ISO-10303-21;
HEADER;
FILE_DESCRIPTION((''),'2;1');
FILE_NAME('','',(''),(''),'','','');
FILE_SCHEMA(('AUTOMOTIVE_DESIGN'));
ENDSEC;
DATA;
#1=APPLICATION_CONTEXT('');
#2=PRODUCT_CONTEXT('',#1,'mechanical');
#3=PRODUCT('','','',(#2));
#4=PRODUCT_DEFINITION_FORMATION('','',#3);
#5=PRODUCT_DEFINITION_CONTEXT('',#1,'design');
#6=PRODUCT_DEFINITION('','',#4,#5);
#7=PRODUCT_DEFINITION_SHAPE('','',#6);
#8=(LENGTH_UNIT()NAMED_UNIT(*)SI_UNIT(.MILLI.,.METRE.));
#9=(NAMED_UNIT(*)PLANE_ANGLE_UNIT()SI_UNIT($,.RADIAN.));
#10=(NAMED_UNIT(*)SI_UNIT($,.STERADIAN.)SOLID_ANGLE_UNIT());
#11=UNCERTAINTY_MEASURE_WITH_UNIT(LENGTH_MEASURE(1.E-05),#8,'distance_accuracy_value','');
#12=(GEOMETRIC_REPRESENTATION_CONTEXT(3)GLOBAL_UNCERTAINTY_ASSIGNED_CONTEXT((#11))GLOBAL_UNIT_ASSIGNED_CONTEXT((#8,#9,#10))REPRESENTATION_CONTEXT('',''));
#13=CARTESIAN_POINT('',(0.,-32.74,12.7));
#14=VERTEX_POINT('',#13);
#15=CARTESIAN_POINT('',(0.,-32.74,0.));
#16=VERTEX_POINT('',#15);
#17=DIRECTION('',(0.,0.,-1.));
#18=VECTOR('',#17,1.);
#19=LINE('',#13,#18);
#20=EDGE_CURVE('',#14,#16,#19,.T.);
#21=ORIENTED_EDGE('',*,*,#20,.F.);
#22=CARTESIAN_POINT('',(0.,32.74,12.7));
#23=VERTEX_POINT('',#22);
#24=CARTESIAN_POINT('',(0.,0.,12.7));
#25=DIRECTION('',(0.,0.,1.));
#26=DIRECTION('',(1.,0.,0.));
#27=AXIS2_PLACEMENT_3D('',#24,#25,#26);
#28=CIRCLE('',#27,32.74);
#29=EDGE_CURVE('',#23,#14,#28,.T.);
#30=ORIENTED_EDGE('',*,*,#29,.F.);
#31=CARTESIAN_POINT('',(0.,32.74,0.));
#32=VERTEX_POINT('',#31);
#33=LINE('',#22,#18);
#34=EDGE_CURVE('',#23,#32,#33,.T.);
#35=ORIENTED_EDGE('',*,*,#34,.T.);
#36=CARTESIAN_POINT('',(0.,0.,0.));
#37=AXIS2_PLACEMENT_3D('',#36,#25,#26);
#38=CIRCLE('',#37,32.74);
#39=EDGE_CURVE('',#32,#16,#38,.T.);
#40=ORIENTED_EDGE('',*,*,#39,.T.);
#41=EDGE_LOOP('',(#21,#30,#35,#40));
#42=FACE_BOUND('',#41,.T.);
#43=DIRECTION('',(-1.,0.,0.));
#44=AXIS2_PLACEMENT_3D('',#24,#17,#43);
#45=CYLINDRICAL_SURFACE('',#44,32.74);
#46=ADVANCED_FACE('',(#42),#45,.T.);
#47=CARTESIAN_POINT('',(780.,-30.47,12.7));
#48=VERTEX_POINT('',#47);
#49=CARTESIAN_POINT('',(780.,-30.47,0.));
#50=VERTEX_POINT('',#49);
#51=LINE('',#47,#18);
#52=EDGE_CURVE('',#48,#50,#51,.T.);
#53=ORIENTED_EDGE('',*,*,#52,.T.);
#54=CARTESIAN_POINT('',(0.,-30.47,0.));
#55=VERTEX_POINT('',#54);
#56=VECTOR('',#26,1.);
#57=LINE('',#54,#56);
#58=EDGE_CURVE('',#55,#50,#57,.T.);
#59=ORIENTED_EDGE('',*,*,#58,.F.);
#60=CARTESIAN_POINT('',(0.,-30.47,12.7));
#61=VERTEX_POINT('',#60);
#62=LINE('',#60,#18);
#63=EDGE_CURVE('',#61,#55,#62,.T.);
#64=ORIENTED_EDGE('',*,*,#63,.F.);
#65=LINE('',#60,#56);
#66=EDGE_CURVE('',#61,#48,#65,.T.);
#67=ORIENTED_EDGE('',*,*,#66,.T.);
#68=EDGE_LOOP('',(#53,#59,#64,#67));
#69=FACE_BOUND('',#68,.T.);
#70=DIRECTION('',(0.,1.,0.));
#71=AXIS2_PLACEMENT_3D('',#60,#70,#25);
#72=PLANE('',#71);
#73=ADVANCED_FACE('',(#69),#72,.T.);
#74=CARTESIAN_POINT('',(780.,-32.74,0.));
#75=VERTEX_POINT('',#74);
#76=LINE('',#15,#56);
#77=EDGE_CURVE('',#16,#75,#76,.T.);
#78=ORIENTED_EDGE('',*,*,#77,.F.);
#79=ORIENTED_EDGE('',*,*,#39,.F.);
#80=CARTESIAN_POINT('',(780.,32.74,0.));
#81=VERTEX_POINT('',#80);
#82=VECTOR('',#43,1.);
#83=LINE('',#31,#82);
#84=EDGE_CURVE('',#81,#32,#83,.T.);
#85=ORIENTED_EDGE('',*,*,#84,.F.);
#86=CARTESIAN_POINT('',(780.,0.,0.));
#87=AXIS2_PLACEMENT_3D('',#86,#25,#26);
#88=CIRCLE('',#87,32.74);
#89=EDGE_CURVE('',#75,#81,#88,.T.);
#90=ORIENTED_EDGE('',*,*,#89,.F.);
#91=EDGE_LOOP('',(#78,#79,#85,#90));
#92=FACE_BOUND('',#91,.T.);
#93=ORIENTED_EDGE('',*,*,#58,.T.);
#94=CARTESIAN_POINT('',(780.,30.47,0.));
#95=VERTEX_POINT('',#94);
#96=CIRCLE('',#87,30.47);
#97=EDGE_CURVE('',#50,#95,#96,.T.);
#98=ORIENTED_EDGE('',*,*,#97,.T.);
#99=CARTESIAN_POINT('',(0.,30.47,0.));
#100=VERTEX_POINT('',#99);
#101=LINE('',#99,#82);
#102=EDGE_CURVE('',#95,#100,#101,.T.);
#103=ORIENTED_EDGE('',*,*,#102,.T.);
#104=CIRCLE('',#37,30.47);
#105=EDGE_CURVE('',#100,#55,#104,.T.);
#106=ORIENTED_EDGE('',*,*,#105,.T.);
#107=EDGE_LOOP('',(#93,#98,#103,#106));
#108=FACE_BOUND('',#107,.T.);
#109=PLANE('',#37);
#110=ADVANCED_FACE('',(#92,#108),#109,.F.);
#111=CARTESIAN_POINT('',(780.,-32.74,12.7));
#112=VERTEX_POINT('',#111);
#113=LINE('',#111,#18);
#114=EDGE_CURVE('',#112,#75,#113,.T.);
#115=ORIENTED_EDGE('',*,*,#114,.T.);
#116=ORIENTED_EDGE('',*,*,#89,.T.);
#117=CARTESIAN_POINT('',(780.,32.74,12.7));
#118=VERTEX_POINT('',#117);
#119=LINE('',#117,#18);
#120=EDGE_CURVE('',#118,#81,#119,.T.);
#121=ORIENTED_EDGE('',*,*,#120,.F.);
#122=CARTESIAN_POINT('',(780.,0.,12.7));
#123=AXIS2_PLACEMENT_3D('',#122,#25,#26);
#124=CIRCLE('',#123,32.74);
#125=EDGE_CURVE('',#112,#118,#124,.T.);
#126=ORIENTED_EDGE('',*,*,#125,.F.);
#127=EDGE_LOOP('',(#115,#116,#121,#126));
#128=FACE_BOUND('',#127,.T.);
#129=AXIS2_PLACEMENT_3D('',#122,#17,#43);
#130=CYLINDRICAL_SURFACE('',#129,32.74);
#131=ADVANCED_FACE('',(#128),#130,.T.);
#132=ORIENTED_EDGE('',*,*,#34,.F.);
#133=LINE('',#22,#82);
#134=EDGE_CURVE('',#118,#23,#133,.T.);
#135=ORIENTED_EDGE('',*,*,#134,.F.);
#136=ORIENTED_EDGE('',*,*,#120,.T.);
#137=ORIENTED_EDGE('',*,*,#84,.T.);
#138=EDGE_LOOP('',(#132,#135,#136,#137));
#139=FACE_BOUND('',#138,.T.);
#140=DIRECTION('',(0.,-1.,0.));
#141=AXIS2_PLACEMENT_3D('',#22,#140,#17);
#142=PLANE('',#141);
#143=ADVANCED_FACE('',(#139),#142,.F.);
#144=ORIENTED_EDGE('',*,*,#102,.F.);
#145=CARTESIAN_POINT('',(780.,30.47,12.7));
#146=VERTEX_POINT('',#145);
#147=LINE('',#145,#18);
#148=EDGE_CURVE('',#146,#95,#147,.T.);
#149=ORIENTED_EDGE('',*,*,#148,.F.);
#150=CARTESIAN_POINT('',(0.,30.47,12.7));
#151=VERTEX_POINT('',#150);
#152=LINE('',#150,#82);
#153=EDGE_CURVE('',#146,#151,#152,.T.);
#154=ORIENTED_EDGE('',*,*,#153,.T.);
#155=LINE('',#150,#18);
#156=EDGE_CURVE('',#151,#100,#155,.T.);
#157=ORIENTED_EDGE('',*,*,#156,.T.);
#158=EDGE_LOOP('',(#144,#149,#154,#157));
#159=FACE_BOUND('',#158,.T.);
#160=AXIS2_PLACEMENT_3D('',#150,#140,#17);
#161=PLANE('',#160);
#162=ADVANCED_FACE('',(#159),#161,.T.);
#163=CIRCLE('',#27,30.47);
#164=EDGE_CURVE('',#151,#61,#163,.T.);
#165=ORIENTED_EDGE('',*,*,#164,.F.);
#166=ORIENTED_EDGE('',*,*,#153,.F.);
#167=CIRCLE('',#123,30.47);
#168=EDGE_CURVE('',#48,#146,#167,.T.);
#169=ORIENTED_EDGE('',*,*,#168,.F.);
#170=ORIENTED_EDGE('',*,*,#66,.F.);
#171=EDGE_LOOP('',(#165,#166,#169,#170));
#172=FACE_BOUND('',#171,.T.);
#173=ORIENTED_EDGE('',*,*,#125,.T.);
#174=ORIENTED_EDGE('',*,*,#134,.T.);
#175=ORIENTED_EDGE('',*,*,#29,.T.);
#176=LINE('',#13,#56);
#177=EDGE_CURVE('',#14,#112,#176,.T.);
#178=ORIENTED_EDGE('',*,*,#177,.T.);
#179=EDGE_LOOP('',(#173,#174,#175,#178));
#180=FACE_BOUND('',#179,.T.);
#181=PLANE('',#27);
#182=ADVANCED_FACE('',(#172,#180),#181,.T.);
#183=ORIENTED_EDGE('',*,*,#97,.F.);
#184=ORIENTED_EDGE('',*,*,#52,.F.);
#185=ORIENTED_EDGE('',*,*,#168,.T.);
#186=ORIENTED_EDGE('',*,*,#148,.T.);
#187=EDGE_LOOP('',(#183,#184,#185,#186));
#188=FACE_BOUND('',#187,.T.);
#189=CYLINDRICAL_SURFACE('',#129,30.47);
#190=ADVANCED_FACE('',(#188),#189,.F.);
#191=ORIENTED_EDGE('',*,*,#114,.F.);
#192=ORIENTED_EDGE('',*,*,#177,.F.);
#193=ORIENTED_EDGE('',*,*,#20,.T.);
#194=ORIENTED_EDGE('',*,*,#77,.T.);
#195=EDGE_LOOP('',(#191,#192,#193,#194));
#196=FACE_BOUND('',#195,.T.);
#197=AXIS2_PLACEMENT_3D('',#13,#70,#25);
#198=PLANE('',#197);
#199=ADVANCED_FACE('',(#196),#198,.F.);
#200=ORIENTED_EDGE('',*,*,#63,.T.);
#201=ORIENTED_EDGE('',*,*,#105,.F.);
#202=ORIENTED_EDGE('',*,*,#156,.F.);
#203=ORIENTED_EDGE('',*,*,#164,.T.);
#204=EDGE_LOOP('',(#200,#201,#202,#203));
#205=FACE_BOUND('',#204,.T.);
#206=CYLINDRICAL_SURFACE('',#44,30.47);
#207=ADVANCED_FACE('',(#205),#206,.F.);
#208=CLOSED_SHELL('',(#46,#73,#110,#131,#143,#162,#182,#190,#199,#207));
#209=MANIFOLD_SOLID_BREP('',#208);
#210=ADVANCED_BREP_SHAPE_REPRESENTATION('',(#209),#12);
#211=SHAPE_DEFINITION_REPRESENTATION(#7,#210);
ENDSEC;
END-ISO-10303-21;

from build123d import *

# Parameters (mm, degrees)
EXTRUDE_1_DEPTH = 12.7


with BuildPart() as part:
    # 草图1 → 凸台-拉伸1 (new body)
    with BuildSketch(Plane.XY):
        with BuildLine():
            Line((0, 32.74), (780, 32.74))
            ThreePointArc((780, 32.74), (812.74, 0), (780, -32.74))
            Line((780, -32.74), (0, -32.74))
            ThreePointArc((0, -32.74), (-32.74, 0), (0, 32.74))
        make_face()
        with BuildLine():
            Line((0, 30.47), (780, 30.47))
            ThreePointArc((780, 30.47), (810.47, 0), (780, -30.47))
            Line((780, -30.47), (0, -30.47))
            ThreePointArc((0, -30.47), (-30.47, 0), (0, 30.47))
        make_face(mode=Mode.SUBTRACT)
    extrude(amount=EXTRUDE_1_DEPTH)


solid = part.part
